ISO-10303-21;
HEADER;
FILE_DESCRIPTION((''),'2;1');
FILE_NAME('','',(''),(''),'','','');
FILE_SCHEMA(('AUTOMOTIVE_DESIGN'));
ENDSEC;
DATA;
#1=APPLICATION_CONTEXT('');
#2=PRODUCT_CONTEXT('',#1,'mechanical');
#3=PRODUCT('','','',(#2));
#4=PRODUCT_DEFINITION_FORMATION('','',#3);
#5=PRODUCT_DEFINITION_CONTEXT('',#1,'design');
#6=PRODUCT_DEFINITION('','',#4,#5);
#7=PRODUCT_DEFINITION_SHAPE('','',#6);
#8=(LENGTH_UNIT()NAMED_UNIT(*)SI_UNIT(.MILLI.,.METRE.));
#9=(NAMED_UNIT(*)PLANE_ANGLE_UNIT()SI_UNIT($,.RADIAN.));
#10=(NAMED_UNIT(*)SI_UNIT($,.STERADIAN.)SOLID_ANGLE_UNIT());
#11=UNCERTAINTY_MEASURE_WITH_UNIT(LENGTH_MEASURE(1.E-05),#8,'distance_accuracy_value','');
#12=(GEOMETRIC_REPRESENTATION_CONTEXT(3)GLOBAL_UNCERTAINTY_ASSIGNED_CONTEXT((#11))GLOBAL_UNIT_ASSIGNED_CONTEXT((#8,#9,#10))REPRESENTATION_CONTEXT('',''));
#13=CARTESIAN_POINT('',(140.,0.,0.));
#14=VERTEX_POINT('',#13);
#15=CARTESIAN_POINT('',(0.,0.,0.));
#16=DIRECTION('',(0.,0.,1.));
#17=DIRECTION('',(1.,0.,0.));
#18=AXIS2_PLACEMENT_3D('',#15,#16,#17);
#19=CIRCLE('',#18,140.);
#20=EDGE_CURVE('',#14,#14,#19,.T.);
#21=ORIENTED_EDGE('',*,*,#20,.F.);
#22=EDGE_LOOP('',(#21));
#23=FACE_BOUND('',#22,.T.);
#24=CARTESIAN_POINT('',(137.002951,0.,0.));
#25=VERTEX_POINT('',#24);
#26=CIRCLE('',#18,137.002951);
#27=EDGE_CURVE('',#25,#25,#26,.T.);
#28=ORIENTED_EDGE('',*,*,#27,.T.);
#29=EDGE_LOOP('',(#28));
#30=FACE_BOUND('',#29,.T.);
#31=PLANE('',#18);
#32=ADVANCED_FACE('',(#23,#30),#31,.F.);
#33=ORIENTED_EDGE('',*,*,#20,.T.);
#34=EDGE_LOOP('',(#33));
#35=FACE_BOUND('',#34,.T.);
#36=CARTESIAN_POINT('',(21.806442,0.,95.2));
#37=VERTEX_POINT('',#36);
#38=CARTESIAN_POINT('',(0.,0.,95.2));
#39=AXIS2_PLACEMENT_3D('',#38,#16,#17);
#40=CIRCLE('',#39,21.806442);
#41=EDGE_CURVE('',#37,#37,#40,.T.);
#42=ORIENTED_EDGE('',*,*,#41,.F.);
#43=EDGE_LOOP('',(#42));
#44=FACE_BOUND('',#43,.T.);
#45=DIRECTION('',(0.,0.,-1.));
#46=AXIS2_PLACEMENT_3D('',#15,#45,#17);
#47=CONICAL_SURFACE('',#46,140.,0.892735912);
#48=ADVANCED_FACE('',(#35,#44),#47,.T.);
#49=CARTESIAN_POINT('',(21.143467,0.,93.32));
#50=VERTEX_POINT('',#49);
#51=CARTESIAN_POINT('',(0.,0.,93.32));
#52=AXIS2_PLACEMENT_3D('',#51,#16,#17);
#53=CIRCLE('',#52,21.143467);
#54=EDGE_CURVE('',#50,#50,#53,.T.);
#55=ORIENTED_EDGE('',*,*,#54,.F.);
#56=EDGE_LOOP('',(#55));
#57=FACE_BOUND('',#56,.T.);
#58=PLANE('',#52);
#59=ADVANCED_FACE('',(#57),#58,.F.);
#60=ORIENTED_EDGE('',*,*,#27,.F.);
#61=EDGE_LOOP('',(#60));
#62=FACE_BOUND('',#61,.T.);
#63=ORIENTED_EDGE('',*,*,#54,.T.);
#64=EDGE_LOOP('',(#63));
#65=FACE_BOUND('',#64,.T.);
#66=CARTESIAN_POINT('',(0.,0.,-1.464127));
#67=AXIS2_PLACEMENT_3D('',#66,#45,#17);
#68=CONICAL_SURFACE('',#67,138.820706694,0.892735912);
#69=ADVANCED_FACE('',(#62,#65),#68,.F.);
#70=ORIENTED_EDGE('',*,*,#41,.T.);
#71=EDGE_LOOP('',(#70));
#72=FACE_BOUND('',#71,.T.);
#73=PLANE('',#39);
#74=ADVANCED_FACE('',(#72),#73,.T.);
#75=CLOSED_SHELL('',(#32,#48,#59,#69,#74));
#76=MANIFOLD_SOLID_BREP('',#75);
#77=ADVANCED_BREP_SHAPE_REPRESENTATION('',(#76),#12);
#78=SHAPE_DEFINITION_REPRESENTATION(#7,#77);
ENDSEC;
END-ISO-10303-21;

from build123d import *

# Parameters (mm, degrees)
SKETCH1_R           = 140
BOSS_EXTRUDE4_DEPTH = 95.2
BOSS_EXTRUDE4_TAPER = 51.15
SHELL5_T            = -1.88


with BuildPart() as part:
    # Sketch1 → Boss-Extrude4 (new body)
    with BuildSketch(Plane.XY):
        Circle(SKETCH1_R)
    extrude(amount=BOSS_EXTRUDE4_DEPTH, taper=BOSS_EXTRUDE4_TAPER)

    # Shell5
    shell5_openings = [part.faces().sort_by_distance(p)[0] for p in [
        (140, 0, 0),
    ]]
    offset(amount=SHELL5_T, openings=shell5_openings, kind=Kind.INTERSECTION)


solid = part.part
